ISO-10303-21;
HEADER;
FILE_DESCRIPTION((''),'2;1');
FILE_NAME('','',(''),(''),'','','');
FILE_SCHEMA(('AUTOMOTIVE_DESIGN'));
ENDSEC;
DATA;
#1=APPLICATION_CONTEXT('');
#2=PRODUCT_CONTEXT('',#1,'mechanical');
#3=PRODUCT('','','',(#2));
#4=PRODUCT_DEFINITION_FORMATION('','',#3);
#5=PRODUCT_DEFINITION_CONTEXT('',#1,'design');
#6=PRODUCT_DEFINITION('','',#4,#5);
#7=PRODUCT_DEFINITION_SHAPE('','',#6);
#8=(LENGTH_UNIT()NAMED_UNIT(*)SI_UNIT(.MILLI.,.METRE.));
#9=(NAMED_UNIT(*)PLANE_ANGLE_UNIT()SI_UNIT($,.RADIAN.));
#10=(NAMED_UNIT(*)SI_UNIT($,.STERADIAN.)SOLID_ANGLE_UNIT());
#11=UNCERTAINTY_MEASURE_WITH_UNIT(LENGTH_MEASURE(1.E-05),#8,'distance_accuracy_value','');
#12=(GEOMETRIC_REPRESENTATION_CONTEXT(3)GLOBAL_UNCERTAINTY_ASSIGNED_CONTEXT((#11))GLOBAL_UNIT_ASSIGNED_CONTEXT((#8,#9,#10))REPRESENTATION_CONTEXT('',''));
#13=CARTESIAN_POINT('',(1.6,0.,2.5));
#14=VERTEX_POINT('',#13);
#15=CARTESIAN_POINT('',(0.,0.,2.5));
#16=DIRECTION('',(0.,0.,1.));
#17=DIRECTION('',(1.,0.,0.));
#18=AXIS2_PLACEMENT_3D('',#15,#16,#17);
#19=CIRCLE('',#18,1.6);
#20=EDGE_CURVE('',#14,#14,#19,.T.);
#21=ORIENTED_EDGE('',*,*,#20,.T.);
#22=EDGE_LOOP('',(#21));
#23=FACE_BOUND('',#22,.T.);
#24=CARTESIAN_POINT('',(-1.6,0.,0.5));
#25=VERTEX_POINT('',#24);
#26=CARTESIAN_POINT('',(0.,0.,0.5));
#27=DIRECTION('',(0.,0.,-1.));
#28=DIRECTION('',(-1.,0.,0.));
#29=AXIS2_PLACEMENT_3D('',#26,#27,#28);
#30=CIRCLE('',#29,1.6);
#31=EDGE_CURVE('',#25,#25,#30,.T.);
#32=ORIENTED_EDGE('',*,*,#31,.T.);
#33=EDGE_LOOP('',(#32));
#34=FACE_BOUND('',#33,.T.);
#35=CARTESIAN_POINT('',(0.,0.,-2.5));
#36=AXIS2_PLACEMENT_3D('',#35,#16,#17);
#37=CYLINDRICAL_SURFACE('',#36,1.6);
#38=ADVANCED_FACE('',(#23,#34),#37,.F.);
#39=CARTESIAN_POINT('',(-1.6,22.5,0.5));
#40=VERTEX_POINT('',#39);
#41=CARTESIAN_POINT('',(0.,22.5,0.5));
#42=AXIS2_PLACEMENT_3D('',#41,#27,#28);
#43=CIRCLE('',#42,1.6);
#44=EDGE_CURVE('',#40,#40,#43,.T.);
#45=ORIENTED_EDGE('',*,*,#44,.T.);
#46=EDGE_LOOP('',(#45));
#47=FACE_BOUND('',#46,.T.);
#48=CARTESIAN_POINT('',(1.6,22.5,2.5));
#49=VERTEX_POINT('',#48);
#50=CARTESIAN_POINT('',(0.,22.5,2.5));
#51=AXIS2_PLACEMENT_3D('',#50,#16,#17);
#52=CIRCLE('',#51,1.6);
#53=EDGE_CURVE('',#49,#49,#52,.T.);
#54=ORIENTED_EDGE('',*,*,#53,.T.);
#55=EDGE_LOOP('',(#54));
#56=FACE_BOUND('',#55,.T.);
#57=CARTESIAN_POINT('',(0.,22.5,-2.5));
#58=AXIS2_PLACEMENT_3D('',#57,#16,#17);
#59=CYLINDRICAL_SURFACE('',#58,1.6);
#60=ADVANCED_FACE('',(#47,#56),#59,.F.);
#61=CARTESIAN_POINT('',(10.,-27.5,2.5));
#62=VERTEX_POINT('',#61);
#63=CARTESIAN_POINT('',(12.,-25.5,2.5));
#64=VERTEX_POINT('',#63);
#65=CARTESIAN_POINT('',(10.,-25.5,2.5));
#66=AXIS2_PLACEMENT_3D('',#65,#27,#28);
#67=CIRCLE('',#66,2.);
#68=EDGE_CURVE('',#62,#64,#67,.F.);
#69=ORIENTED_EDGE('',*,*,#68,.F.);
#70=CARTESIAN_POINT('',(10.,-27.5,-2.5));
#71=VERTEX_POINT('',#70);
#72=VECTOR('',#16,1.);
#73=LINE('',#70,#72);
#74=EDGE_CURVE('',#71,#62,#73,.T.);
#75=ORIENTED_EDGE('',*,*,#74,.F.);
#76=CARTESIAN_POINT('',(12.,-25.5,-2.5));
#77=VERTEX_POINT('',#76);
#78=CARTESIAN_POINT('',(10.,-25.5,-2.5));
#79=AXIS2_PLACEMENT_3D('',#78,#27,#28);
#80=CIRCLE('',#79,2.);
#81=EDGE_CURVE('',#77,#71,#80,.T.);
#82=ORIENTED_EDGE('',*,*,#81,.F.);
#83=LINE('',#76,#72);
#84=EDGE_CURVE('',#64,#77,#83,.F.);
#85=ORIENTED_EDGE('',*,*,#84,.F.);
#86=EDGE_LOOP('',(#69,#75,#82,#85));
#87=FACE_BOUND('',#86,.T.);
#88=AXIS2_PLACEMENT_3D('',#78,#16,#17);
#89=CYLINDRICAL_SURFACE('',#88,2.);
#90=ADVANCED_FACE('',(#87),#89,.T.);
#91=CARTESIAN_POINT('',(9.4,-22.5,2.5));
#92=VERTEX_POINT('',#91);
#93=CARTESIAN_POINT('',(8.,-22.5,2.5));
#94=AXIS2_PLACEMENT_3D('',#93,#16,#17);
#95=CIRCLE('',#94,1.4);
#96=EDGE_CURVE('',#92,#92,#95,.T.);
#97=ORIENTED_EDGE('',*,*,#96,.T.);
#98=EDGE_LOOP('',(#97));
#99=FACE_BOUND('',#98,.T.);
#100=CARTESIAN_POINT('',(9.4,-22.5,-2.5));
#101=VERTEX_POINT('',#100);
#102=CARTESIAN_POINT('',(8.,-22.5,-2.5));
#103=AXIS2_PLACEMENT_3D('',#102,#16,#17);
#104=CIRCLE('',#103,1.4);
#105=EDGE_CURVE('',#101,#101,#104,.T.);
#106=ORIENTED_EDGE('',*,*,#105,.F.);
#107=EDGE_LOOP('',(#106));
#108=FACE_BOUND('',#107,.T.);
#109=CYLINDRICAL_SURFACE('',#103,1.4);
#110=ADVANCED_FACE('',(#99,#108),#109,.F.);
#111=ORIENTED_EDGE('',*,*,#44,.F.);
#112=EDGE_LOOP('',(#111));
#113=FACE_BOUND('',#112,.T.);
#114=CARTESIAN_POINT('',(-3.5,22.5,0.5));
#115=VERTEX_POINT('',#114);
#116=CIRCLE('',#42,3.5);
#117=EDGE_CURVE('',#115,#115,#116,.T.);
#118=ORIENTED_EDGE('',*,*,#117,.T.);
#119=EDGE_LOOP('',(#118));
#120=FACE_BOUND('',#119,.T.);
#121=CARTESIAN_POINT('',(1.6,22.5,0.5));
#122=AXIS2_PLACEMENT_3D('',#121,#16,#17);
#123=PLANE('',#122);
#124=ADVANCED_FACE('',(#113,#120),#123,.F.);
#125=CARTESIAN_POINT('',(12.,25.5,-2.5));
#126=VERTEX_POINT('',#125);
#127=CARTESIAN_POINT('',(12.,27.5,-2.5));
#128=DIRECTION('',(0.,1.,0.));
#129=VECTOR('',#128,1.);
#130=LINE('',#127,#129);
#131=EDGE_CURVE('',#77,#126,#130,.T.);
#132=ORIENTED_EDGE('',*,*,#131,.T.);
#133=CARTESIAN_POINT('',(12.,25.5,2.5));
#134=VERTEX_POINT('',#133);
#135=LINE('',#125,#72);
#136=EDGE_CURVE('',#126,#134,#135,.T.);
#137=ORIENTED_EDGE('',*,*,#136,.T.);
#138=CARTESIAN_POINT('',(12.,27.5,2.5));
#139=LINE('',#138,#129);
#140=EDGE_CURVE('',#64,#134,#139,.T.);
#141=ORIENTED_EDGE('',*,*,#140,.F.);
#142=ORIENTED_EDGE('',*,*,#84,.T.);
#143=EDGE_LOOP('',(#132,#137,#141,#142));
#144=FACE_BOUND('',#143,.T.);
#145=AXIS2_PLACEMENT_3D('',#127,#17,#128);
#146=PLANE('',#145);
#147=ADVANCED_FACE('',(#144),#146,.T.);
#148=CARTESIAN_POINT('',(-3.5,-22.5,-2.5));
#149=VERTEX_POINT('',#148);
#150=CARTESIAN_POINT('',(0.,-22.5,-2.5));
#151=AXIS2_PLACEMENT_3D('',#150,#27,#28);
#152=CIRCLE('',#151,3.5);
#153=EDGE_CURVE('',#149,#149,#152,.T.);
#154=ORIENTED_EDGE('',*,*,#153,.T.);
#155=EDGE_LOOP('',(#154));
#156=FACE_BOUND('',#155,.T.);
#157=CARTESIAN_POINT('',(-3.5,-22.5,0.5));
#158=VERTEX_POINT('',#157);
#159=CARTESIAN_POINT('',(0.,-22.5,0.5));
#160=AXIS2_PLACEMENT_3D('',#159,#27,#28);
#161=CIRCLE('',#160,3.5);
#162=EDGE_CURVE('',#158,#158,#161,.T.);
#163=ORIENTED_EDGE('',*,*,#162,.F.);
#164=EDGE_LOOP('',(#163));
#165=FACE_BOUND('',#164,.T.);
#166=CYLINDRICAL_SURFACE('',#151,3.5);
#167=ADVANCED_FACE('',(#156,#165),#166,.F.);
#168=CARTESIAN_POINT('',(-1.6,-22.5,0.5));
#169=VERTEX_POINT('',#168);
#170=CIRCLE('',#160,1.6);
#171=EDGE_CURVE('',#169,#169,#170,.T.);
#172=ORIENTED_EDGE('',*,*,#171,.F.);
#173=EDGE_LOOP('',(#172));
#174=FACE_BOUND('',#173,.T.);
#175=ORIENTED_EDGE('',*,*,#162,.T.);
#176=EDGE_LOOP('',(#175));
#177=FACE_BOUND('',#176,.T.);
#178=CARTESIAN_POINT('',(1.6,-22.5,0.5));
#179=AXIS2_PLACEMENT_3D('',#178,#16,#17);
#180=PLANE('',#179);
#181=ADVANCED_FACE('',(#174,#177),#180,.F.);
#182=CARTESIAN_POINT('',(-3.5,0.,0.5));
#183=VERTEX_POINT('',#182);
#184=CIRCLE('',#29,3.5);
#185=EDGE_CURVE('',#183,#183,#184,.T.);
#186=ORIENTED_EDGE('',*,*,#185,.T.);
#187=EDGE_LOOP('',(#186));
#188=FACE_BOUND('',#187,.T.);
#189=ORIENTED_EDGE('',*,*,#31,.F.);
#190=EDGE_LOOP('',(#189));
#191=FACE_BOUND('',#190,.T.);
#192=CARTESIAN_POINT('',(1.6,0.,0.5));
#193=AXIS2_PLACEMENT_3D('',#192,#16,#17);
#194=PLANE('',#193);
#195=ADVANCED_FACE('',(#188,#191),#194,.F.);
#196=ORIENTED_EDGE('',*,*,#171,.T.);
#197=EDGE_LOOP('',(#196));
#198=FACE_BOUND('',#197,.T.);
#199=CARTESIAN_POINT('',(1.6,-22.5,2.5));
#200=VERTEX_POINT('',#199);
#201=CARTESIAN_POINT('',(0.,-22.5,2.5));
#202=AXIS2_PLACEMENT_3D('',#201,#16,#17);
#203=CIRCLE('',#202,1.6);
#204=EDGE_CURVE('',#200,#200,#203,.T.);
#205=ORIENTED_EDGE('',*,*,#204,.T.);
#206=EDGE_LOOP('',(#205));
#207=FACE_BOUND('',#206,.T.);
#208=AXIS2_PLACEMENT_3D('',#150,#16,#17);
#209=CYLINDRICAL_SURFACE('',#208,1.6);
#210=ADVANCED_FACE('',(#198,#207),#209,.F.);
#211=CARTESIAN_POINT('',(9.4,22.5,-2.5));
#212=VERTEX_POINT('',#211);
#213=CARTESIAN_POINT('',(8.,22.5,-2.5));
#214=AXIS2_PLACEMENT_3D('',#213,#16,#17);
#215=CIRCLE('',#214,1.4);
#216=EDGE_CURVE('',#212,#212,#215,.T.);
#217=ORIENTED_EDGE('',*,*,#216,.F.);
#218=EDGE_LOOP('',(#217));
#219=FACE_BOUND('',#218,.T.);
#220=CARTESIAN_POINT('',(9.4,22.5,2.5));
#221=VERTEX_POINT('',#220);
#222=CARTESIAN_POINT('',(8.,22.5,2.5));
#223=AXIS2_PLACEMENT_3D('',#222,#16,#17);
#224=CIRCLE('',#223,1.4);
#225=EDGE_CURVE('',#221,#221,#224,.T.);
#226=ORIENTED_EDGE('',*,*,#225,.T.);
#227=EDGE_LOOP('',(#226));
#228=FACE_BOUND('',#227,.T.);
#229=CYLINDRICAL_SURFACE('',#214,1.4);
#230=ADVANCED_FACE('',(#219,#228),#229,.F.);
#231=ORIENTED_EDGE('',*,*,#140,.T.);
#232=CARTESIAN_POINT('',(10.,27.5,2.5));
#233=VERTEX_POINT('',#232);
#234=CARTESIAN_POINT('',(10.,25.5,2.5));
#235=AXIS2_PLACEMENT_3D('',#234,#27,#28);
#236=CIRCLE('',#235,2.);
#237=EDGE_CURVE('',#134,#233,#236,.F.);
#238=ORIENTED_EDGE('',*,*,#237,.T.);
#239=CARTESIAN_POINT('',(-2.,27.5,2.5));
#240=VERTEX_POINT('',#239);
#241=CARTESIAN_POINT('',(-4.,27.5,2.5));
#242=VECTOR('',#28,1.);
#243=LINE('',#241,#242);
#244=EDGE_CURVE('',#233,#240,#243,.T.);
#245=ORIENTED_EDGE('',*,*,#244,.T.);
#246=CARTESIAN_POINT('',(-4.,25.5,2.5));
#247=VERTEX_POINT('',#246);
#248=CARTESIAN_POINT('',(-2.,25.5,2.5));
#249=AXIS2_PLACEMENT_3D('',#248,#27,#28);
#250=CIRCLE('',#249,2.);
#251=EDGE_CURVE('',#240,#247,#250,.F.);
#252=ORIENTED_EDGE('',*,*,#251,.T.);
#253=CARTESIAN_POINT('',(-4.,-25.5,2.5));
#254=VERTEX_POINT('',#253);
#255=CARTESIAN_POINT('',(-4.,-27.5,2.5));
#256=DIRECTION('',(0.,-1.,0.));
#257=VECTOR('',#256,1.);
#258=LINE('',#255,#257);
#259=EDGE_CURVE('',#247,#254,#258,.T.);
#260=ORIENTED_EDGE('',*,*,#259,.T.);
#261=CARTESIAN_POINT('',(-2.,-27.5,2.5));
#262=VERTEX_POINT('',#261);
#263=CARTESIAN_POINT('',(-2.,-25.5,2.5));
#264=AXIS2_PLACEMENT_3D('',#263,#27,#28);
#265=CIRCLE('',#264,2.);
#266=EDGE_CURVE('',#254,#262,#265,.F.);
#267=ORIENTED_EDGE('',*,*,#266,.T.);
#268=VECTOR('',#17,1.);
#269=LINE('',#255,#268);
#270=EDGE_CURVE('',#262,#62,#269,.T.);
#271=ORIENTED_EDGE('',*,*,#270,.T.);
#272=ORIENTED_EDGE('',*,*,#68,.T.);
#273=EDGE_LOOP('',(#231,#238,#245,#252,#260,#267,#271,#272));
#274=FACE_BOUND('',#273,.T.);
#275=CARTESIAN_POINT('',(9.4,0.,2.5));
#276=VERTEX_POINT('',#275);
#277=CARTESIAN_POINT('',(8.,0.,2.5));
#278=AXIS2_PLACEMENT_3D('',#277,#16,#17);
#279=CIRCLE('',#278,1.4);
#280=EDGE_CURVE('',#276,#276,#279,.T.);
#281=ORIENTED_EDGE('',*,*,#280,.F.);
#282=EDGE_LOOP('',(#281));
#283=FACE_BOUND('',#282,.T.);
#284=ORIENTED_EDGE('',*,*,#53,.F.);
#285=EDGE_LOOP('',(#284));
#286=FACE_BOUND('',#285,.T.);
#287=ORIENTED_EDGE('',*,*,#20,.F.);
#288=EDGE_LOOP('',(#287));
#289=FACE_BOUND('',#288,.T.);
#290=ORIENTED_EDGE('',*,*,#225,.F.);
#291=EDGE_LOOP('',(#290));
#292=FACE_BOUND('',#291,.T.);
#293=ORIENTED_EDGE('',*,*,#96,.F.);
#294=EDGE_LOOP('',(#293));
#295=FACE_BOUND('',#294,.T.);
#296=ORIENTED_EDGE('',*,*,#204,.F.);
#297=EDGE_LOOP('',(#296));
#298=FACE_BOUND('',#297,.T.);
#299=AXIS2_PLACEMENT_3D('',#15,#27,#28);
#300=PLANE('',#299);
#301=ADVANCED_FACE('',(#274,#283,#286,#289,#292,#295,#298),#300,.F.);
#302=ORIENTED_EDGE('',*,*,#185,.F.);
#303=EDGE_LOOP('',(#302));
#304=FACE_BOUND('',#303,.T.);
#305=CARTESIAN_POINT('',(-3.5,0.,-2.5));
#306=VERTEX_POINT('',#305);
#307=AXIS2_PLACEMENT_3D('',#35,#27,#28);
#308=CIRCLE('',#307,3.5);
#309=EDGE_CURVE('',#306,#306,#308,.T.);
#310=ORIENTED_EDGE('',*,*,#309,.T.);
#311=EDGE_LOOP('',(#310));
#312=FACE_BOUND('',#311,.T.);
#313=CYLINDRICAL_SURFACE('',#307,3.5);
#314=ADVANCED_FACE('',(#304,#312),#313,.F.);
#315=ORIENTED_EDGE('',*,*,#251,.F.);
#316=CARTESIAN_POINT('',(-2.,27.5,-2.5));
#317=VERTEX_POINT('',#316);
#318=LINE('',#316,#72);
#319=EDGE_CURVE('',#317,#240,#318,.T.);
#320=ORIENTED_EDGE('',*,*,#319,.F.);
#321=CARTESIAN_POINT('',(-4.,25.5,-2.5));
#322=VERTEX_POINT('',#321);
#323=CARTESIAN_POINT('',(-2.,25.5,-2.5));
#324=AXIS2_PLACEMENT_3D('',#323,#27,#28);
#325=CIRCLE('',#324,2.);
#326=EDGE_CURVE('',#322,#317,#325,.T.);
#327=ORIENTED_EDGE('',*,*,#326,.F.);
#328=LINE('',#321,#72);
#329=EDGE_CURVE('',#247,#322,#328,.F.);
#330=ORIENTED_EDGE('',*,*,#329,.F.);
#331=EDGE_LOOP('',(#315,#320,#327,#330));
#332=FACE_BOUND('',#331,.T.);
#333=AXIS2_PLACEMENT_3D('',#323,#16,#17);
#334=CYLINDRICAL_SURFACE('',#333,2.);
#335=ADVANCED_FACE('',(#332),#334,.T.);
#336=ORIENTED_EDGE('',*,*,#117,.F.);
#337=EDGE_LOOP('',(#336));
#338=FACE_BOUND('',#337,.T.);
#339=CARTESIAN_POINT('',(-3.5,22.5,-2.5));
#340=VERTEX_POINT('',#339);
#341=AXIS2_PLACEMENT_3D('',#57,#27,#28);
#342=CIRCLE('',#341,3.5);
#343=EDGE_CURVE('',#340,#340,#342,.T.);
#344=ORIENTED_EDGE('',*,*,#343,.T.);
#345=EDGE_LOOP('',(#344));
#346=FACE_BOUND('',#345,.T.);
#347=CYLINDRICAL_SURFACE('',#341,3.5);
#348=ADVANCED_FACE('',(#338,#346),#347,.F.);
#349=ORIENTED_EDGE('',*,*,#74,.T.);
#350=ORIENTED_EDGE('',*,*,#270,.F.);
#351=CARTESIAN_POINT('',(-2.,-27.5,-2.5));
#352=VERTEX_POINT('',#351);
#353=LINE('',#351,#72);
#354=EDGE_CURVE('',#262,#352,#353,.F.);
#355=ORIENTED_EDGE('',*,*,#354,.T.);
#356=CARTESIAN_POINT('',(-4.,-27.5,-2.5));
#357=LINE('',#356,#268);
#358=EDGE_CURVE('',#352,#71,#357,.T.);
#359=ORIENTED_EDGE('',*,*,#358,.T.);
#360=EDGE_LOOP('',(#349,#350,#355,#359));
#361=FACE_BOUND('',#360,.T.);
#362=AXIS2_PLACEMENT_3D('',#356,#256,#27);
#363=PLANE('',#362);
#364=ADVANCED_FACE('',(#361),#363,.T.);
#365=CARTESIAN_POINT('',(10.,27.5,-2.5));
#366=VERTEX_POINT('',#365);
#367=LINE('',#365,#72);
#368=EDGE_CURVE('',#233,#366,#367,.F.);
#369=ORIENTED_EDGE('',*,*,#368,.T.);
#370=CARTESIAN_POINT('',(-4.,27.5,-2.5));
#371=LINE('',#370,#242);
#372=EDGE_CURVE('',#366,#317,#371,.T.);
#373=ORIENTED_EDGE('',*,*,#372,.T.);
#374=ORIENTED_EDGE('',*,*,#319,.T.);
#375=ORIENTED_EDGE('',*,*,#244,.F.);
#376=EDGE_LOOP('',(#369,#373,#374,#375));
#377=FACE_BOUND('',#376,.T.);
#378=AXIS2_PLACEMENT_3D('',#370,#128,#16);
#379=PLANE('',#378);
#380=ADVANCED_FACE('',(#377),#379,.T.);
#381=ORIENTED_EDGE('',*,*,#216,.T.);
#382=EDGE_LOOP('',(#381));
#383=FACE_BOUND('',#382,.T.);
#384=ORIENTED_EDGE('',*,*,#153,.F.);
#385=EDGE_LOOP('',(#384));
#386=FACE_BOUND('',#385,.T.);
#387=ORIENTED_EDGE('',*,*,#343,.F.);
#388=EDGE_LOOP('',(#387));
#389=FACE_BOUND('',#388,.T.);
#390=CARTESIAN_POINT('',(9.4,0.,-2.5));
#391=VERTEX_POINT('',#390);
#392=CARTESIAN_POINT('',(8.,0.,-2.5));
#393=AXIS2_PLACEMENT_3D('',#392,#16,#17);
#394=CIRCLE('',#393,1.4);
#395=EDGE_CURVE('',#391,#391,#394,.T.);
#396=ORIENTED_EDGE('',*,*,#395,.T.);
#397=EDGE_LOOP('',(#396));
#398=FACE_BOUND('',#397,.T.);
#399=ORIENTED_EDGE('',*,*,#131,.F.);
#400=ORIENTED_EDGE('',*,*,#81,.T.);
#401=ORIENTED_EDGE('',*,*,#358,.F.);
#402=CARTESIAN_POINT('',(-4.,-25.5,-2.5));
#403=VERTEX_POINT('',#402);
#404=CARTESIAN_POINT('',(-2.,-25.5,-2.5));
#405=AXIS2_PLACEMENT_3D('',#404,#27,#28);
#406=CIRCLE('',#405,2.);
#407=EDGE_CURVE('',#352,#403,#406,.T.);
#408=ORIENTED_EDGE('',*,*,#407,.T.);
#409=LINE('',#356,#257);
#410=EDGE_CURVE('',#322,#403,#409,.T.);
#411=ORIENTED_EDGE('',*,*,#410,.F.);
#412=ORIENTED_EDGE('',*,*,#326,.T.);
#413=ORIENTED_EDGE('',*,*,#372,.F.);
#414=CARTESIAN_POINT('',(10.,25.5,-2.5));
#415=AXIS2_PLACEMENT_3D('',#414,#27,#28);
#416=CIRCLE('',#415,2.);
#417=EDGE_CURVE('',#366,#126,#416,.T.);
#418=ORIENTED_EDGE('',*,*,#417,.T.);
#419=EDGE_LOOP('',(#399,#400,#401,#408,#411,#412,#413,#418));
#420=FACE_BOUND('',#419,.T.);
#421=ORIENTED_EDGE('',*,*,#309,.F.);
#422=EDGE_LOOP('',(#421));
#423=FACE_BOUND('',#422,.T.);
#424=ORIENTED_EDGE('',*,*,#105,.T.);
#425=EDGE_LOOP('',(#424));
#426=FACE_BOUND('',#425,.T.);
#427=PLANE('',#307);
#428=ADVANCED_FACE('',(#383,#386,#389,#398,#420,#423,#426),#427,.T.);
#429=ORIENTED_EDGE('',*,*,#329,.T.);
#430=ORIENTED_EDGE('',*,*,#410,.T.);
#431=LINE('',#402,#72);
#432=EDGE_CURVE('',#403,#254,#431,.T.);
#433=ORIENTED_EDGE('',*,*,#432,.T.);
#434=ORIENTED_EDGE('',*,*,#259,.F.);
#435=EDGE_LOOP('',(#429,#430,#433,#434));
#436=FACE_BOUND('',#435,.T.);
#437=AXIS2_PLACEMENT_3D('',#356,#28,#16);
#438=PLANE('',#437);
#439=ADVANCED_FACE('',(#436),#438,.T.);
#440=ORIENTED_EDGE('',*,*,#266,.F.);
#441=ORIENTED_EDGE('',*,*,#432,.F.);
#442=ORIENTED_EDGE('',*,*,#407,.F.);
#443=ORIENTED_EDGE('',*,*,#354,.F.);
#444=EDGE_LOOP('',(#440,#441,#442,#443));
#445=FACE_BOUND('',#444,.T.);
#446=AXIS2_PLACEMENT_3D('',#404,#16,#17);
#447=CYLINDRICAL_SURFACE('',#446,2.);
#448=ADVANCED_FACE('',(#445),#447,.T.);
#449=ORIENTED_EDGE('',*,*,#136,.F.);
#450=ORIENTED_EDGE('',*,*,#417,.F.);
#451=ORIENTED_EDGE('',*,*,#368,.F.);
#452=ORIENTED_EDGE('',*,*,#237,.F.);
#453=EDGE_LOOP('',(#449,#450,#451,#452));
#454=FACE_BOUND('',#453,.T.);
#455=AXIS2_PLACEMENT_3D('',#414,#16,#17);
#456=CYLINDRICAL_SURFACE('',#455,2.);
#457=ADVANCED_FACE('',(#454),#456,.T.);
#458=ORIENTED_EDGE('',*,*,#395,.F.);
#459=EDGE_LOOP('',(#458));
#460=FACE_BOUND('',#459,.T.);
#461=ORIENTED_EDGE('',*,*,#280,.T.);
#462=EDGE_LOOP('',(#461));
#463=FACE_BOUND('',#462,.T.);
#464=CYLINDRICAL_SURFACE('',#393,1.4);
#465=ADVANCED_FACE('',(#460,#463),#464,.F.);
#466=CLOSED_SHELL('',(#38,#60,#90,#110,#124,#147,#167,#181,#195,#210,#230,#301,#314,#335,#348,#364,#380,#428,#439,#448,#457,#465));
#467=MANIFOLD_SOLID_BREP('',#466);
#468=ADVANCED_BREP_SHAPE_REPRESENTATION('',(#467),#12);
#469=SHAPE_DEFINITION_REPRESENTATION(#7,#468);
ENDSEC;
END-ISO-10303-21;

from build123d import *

# Parameters (mm, degrees)
BOSS_EXTRUDE1_DEPTH                    = 2.5
BOSS_EXTRUDE1_DEPTH_BACK               = 2.5
SKETCH1_W                              = 8
SKETCH1_H                              = 55
SKETCH2_R                              = 1.6
CUT_EXTRUDE1_DEPTH                     = 29.235615807
SKETCH3_W                              = 8
SKETCH3_H                              = 55
SKETCH3_R                              = 1.4
BOSS_EXTRUDE3_DEPTH                    = 5
CBORE_FOR_M5_HEX_HEAD_BOLT3_AT_2_COUNT = 2
CBORE_FOR_M5_HEX_HEAD_BOLT3_AT_2_PITCH = 22.5
CBORE_FOR_M5_HEX_HEAD_BOLT3_AT_3_COUNT = 2
CBORE_FOR_M5_HEX_HEAD_BOLT3_AT_3_PITCH = 45
CBORE_FOR_M5_HEX_HEAD_BOLT3_AT_4_COUNT = 2
CBORE_FOR_M5_HEX_HEAD_BOLT3_AT_4_PITCH = 22.5
FILLET1_R                              = 2


with BuildPart() as part:
    # Sketch1 → Boss-Extrude1 (new, two sides: drawn at the far end of the back side and taken through both)
    with BuildSketch(Plane.XY.offset(-BOSS_EXTRUDE1_DEPTH_BACK)):
        Rectangle(SKETCH1_W, SKETCH1_H)
    extrude(amount=BOSS_EXTRUDE1_DEPTH + BOSS_EXTRUDE1_DEPTH_BACK)

    # Sketch2 → Cut-Extrude1 (cut, through all)
    with BuildSketch(Plane.XY.offset(2.5)):
        with Locations((0, 22.5)):
            Circle(SKETCH2_R)
        with Locations((0, -22.5)):
            Circle(SKETCH2_R)
        Circle(SKETCH2_R)
    extrude(amount=-CUT_EXTRUDE1_DEPTH, mode=Mode.SUBTRACT)

    # Sketch3 → Boss-Extrude3 (add, through all)
    with BuildSketch(Plane.XY.offset(2.5)):
        with Locations((8, 0)):
            Rectangle(SKETCH3_W, SKETCH3_H)
        with Locations((8, 22.5)):
            Circle(SKETCH3_R, mode=Mode.SUBTRACT)
        with Locations((8, 0)):
            Circle(SKETCH3_R, mode=Mode.SUBTRACT)
        with Locations((8, -22.5)):
            Circle(SKETCH3_R, mode=Mode.SUBTRACT)
    extrude(amount=-BOSS_EXTRUDE3_DEPTH)

    # Sketch8 → CBORE for M5 Hex Head Bolt3 (revolve, cut)
    with BuildSketch(Plane(origin=(0, 22.5, -2.5), x_dir=(0, 1, 0), z_dir=(1, 0, 0))):
        Polygon((0, 0), (0, 5), (1.6, 5), (1.6, 3), (3.5, 3), (3.5, 0), align=None)
    cbore_for_m5_hex_head_bolt3 = revolve(axis=Axis((0, 22.5, -8.85), (0, 0, 1)), mode=Mode.SUBTRACT)

    # CBORE for M5 Hex Head Bolt3 at 2: CBORE for M5 Hex Head Bolt3 ×2
    with Locations(*[(0, -i * CBORE_FOR_M5_HEX_HEAD_BOLT3_AT_2_PITCH, 0) for i in range(1, CBORE_FOR_M5_HEX_HEAD_BOLT3_AT_2_COUNT)]):
        add(cbore_for_m5_hex_head_bolt3, mode=Mode.SUBTRACT)

    # CBORE for M5 Hex Head Bolt3 at 3: CBORE for M5 Hex Head Bolt3 ×2
    with Locations(*[(0, -i * CBORE_FOR_M5_HEX_HEAD_BOLT3_AT_3_PITCH, 0) for i in range(1, CBORE_FOR_M5_HEX_HEAD_BOLT3_AT_3_COUNT)]):
        add(cbore_for_m5_hex_head_bolt3, mode=Mode.SUBTRACT)

    # CBORE for M5 Hex Head Bolt3 at 4: CBORE for M5 Hex Head Bolt3 ×2
    with Locations(*[(0, -i * CBORE_FOR_M5_HEX_HEAD_BOLT3_AT_4_PITCH, 0) for i in range(1, CBORE_FOR_M5_HEX_HEAD_BOLT3_AT_4_COUNT)]):
        add(cbore_for_m5_hex_head_bolt3, mode=Mode.SUBTRACT)

    # Fillet1
    fillet1_edges = [part.edges().sort_by_distance(p)[0] for p in [
        (12, 27.5, 0),
        (12, -27.5, 0),
        (-4, -27.5, 0),
        (-4, 27.5, 0),
    ]]
    fillet(fillet1_edges, radius=FILLET1_R)


solid = part.part
